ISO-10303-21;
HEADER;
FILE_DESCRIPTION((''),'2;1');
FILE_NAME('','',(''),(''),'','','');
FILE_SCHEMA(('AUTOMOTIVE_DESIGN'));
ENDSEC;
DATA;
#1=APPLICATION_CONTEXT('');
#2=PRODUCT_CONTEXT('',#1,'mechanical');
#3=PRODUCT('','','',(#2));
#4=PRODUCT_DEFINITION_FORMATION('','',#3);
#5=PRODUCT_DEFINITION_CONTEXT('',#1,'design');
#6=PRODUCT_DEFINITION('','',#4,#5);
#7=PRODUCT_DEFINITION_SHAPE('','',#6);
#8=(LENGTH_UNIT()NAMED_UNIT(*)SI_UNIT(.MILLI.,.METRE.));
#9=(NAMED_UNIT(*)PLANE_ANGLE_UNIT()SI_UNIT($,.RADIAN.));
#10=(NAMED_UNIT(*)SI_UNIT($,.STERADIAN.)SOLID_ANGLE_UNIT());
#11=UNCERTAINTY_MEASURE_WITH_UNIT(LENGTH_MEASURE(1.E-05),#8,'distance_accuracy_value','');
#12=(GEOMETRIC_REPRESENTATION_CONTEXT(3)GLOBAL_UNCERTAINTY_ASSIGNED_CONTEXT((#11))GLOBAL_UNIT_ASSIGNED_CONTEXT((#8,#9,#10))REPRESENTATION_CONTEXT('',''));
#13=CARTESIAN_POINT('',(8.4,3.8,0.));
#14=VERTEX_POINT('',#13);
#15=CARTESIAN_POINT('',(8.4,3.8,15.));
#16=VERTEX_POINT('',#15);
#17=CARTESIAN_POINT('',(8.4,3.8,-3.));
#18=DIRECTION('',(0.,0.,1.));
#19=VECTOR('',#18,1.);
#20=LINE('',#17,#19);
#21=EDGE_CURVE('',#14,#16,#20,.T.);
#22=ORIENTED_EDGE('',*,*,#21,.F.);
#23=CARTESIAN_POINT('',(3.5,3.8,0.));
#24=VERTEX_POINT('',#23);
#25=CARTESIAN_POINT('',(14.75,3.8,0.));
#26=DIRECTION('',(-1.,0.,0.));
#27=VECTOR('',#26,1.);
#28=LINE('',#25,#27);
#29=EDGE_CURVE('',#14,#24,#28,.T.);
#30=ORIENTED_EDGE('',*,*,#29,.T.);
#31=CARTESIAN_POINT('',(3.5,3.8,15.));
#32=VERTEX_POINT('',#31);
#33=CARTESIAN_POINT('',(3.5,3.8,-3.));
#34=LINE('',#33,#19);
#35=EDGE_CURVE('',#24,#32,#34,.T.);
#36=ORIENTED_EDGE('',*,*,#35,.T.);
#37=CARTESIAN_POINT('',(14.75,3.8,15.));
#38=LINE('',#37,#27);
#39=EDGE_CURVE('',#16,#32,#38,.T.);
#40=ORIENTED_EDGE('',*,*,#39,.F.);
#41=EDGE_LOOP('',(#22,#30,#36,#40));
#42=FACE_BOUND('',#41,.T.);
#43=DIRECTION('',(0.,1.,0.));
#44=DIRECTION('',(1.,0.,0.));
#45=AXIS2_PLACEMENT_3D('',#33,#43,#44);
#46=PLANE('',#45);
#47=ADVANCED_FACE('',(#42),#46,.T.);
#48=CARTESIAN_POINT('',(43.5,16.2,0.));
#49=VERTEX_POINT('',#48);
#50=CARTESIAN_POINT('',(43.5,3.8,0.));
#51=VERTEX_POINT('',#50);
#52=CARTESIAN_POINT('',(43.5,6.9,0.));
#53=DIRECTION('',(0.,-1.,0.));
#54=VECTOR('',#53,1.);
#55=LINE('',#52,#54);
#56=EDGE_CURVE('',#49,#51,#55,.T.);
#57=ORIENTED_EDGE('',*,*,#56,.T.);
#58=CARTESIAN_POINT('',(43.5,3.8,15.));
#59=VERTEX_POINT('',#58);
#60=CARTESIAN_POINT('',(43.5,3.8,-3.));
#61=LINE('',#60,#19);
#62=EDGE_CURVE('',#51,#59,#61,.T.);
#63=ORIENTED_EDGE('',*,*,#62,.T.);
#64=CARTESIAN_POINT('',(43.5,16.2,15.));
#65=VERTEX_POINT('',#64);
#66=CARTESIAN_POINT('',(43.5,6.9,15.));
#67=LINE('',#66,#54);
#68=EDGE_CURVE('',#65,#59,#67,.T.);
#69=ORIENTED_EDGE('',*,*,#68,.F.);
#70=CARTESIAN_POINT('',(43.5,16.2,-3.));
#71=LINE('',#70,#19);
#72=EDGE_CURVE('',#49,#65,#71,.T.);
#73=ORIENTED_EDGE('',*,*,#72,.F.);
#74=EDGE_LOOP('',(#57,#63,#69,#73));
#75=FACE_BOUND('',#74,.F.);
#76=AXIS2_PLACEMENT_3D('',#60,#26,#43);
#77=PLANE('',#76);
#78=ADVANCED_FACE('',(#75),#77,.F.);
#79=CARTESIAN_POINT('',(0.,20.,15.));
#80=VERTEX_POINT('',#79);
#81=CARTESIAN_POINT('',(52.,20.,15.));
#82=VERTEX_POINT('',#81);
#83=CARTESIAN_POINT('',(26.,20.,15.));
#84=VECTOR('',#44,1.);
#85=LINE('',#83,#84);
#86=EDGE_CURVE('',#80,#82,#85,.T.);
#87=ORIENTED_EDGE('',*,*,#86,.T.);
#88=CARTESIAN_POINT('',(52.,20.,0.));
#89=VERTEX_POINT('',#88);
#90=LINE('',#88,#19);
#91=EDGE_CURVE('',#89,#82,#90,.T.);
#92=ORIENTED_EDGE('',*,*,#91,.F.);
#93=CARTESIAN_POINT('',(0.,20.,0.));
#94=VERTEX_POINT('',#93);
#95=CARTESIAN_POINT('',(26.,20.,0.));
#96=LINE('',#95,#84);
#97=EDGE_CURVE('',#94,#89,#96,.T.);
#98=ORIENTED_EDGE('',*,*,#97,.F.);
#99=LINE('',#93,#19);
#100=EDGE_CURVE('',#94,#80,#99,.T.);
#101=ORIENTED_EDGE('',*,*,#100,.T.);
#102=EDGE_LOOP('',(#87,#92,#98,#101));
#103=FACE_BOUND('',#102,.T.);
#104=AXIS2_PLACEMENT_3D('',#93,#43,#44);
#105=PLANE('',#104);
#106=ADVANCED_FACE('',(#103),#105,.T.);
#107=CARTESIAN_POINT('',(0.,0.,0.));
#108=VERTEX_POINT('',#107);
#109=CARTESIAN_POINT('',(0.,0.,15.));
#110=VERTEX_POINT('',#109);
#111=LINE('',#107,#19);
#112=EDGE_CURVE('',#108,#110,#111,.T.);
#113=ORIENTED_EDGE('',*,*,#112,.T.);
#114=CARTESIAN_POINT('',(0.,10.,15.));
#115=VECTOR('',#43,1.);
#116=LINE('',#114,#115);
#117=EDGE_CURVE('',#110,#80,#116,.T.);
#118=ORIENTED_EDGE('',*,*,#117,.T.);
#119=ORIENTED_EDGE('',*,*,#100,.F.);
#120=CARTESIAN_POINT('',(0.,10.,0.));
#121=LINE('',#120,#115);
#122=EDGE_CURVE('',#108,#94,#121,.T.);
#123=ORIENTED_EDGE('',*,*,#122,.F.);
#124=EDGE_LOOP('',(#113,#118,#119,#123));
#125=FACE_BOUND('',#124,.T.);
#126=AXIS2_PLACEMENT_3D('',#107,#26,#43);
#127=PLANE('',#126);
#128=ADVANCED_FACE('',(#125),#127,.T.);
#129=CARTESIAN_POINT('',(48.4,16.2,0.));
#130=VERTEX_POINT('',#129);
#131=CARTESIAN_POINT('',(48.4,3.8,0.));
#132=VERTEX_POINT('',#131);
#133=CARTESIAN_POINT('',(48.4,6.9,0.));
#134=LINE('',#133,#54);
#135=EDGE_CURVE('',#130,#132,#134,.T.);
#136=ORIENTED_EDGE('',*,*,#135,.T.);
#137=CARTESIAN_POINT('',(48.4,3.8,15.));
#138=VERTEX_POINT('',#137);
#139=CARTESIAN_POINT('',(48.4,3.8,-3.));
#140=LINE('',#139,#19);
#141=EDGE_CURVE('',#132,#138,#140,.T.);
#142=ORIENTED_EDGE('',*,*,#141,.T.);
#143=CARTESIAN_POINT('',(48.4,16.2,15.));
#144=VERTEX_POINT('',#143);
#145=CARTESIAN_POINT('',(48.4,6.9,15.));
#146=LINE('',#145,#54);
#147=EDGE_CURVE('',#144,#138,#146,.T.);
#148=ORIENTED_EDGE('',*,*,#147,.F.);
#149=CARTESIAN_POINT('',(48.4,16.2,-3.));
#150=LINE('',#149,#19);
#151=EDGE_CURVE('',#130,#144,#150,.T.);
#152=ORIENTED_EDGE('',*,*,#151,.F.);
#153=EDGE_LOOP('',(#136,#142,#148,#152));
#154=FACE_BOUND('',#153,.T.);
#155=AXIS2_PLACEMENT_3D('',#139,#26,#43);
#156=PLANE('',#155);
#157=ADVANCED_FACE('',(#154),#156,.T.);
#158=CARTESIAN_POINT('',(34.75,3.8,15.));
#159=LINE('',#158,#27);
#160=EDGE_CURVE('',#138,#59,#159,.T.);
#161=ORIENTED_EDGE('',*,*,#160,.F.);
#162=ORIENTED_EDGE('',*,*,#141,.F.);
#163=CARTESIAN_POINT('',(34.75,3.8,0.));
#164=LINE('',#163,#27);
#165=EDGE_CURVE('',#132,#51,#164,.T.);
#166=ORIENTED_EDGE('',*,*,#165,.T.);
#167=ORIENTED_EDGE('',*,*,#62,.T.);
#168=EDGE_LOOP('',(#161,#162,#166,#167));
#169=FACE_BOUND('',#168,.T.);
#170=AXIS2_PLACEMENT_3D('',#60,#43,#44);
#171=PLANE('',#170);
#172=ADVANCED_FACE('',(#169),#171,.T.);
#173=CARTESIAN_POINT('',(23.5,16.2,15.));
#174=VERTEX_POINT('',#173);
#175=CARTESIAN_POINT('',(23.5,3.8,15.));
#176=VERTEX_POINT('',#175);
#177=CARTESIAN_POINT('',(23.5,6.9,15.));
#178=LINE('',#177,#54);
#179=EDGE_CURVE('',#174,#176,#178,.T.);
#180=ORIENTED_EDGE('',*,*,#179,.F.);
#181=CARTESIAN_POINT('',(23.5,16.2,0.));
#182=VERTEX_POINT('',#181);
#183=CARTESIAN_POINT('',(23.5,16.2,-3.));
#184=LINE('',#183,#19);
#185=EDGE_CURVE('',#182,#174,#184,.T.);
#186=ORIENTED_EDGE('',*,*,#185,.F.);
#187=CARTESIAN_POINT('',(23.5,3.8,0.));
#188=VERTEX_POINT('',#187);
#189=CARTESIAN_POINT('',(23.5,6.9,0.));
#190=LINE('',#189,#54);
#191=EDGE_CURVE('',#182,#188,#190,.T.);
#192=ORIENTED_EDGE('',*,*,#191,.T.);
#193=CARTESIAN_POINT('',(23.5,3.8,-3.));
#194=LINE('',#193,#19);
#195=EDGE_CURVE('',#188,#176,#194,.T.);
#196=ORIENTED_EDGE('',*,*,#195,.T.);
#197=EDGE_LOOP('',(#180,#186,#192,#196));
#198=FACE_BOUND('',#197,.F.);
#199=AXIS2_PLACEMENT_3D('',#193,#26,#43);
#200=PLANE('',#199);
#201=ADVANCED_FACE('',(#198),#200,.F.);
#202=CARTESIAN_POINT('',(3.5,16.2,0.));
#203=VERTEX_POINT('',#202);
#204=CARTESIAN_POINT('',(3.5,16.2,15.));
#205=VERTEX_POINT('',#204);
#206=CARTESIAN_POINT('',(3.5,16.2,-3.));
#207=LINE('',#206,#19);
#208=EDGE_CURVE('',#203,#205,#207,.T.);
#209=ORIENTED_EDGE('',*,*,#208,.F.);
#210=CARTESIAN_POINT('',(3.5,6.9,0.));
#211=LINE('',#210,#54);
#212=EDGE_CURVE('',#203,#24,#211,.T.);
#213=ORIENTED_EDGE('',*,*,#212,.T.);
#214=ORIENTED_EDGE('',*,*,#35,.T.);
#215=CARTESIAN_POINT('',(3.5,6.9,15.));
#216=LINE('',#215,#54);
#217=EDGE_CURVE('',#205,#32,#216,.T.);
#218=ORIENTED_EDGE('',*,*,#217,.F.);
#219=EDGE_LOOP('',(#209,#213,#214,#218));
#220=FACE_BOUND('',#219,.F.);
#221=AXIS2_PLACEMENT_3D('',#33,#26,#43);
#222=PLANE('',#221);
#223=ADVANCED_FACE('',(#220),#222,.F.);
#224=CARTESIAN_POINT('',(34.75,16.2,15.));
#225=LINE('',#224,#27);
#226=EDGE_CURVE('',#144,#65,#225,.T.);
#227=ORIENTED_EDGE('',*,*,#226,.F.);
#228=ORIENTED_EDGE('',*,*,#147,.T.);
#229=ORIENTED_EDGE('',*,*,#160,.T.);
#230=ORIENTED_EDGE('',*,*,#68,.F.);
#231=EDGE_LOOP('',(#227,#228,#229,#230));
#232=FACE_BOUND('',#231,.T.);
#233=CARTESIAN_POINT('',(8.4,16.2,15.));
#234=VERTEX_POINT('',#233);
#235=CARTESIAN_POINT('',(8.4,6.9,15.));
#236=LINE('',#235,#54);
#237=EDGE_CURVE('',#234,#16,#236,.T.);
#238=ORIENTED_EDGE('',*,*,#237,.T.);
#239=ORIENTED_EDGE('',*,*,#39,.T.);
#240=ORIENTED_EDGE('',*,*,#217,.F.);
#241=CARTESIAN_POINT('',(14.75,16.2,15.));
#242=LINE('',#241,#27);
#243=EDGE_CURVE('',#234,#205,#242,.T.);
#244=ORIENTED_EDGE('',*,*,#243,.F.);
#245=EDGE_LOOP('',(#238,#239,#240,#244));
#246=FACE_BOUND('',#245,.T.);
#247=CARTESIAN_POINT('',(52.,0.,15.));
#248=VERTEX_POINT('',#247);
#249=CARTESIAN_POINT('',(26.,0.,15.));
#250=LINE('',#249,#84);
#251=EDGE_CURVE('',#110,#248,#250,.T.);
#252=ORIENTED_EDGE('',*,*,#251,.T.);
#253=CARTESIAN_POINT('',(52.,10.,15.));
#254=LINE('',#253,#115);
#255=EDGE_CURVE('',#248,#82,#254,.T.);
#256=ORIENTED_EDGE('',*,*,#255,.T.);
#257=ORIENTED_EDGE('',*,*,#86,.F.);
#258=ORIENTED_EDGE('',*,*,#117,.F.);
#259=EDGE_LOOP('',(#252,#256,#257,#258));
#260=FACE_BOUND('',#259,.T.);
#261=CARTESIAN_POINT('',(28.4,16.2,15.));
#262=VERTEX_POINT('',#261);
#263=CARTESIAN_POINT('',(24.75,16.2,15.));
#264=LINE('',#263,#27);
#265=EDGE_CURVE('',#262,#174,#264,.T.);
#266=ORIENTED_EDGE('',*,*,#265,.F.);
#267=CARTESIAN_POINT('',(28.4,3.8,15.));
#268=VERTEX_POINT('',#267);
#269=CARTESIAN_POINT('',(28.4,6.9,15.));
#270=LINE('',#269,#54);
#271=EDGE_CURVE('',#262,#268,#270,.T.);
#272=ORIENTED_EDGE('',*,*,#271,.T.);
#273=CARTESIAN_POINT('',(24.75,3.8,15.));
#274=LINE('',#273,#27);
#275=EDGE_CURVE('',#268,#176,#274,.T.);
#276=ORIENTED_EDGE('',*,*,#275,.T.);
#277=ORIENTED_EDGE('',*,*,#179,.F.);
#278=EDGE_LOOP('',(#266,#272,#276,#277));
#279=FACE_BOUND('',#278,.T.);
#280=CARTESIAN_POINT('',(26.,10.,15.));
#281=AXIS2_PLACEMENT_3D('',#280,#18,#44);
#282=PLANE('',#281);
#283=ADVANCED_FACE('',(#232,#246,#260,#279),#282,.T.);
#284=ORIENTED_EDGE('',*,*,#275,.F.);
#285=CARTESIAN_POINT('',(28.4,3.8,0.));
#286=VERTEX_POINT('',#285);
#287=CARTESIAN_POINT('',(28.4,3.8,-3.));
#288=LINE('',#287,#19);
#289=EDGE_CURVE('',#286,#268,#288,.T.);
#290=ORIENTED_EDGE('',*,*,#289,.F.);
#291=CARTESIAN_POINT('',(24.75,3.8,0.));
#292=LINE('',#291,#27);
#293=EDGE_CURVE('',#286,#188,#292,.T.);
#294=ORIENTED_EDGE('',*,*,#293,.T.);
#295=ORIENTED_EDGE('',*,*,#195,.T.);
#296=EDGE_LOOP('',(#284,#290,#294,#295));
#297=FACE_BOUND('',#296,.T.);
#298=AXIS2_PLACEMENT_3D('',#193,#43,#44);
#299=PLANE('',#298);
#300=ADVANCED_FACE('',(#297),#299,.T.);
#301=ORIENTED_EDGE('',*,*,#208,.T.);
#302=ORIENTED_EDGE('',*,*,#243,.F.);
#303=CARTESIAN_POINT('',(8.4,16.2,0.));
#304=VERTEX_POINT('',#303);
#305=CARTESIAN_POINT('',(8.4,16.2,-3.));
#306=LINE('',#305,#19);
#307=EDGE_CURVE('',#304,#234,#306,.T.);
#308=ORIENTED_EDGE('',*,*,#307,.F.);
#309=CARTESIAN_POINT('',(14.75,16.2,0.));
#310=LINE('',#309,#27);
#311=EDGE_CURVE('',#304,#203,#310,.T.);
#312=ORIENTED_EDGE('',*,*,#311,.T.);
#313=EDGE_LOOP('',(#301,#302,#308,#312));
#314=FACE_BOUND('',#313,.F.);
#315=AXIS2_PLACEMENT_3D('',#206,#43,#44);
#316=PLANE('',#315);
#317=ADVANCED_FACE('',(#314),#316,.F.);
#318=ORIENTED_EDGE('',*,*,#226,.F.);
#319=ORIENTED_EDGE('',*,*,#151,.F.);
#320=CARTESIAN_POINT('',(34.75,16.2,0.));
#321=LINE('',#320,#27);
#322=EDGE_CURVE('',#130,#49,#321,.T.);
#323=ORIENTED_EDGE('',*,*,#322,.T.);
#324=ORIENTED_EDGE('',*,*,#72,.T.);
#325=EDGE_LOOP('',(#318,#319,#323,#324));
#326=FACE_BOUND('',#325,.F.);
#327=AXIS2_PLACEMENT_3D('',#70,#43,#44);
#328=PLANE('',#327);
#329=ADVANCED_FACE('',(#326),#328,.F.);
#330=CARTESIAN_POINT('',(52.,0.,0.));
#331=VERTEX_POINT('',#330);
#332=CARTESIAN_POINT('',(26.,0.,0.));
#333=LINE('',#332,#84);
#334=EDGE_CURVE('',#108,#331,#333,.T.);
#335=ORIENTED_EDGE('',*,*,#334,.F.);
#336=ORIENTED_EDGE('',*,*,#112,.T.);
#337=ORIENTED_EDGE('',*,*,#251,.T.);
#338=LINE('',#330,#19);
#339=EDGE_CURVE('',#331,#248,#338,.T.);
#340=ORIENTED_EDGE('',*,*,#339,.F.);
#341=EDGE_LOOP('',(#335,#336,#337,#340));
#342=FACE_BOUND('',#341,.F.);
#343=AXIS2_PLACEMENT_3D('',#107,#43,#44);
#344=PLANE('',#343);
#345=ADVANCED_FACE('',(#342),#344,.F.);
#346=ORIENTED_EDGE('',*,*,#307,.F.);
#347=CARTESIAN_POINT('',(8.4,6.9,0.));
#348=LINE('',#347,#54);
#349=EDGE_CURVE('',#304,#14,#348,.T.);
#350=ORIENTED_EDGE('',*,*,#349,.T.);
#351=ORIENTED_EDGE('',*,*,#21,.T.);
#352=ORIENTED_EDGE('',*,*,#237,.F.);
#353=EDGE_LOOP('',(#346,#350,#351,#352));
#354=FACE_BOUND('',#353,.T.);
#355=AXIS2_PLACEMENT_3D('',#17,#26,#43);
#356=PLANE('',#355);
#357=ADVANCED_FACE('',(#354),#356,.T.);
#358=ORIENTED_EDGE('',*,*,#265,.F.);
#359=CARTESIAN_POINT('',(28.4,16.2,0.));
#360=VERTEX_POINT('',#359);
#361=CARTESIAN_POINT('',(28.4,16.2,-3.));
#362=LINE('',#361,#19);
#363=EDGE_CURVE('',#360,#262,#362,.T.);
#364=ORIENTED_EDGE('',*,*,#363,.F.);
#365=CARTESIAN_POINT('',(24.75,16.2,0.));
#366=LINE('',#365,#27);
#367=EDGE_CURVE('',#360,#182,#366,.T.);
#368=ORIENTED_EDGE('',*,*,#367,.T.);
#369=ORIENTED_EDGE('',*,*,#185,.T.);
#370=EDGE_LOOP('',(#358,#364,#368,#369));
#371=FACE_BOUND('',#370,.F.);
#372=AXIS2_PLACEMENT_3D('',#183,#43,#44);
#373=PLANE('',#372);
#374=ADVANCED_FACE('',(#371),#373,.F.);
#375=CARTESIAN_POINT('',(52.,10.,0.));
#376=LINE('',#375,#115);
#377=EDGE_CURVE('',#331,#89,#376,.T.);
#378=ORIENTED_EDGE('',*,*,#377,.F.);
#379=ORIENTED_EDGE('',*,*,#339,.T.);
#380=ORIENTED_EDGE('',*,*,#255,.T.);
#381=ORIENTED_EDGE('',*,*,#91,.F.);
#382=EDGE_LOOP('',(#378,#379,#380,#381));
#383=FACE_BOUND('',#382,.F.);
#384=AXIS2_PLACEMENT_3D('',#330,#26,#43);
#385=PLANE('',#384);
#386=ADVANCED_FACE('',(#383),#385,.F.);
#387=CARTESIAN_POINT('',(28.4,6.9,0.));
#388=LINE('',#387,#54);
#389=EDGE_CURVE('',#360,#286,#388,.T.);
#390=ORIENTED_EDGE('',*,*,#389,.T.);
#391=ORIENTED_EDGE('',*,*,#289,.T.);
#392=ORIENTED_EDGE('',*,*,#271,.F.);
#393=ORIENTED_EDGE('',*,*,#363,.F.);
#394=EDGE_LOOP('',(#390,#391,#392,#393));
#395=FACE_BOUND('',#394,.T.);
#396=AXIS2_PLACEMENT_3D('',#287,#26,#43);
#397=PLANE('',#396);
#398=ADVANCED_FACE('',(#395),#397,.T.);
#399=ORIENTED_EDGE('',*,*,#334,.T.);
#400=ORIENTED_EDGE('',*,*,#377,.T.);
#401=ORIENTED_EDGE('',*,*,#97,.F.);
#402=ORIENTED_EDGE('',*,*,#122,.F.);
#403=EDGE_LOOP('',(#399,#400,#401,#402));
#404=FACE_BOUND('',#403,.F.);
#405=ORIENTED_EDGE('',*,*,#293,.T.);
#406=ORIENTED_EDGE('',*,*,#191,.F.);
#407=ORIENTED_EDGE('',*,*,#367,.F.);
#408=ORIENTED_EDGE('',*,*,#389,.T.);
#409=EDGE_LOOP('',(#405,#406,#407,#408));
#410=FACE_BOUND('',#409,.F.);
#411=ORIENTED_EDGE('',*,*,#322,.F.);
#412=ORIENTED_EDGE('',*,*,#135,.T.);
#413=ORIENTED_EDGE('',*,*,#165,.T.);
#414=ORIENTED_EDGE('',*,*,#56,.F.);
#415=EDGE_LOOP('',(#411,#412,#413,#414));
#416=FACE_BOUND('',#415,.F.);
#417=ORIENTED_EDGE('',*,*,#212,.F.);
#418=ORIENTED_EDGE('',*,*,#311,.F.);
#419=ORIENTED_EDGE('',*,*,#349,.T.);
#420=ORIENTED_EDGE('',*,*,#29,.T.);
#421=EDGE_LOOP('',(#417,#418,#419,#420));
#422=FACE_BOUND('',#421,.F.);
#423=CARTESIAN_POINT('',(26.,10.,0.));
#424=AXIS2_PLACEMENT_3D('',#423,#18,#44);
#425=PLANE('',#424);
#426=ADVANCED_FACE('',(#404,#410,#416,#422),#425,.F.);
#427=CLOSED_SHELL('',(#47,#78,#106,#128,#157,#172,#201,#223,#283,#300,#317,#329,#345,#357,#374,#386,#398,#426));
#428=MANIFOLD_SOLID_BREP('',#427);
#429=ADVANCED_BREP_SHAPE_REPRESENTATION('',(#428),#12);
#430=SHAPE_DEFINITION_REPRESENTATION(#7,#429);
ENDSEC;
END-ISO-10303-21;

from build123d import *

# Parameters (mm, degrees)
BOX002_W     = 4.9
BOX002_H     = 12.4
BOX002_DEPTH = 23
BOX001_W     = 4.9
BOX001_H     = 12.4
BOX001_DEPTH = 23
BOX003_W     = 4.9
BOX003_H     = 12.4
BOX003_DEPTH = 23
BOX_W        = 52
BOX_H        = 20
BOX_DEPTH    = 15


with BuildPart() as cube002:
    # Box002 → Box002 (new body)
    with BuildSketch(Plane(origin=(23.5, 3.8, -3), x_dir=(1, 0, 0), z_dir=(0, 0, 1))):
        with Locations((2.45, 6.2)):
            Rectangle(BOX002_W, BOX002_H)
    extrude(amount=BOX002_DEPTH)


with BuildPart() as cube001:
    # Box001 → Box001 (new body)
    with BuildSketch(Plane(origin=(3.5, 3.8, -3), x_dir=(1, 0, 0), z_dir=(0, 0, 1))):
        with Locations((2.45, 6.2)):
            Rectangle(BOX001_W, BOX001_H)
    extrude(amount=BOX001_DEPTH)


with BuildPart() as fusion:
    # Box003 → Box003 (new body)
    with BuildSketch(Plane(origin=(43.5, 3.8, -3), x_dir=(1, 0, 0), z_dir=(0, 0, 1))):
        with Locations((2.45, 6.2)):
            Rectangle(BOX003_W, BOX003_H)
    extrude(amount=BOX003_DEPTH)

    # Fusion: union Cube002, Cube001
    add(cube002.part)
    add(cube001.part)


with BuildPart() as cut:
    # Box → Box (new body)
    with BuildSketch(Plane.XY):
        with Locations((26, 10)):
            Rectangle(BOX_W, BOX_H)
    extrude(amount=BOX_DEPTH)

    # Cut: cut Fusion
    add(fusion.part, mode=Mode.SUBTRACT)


solid = cut.part
